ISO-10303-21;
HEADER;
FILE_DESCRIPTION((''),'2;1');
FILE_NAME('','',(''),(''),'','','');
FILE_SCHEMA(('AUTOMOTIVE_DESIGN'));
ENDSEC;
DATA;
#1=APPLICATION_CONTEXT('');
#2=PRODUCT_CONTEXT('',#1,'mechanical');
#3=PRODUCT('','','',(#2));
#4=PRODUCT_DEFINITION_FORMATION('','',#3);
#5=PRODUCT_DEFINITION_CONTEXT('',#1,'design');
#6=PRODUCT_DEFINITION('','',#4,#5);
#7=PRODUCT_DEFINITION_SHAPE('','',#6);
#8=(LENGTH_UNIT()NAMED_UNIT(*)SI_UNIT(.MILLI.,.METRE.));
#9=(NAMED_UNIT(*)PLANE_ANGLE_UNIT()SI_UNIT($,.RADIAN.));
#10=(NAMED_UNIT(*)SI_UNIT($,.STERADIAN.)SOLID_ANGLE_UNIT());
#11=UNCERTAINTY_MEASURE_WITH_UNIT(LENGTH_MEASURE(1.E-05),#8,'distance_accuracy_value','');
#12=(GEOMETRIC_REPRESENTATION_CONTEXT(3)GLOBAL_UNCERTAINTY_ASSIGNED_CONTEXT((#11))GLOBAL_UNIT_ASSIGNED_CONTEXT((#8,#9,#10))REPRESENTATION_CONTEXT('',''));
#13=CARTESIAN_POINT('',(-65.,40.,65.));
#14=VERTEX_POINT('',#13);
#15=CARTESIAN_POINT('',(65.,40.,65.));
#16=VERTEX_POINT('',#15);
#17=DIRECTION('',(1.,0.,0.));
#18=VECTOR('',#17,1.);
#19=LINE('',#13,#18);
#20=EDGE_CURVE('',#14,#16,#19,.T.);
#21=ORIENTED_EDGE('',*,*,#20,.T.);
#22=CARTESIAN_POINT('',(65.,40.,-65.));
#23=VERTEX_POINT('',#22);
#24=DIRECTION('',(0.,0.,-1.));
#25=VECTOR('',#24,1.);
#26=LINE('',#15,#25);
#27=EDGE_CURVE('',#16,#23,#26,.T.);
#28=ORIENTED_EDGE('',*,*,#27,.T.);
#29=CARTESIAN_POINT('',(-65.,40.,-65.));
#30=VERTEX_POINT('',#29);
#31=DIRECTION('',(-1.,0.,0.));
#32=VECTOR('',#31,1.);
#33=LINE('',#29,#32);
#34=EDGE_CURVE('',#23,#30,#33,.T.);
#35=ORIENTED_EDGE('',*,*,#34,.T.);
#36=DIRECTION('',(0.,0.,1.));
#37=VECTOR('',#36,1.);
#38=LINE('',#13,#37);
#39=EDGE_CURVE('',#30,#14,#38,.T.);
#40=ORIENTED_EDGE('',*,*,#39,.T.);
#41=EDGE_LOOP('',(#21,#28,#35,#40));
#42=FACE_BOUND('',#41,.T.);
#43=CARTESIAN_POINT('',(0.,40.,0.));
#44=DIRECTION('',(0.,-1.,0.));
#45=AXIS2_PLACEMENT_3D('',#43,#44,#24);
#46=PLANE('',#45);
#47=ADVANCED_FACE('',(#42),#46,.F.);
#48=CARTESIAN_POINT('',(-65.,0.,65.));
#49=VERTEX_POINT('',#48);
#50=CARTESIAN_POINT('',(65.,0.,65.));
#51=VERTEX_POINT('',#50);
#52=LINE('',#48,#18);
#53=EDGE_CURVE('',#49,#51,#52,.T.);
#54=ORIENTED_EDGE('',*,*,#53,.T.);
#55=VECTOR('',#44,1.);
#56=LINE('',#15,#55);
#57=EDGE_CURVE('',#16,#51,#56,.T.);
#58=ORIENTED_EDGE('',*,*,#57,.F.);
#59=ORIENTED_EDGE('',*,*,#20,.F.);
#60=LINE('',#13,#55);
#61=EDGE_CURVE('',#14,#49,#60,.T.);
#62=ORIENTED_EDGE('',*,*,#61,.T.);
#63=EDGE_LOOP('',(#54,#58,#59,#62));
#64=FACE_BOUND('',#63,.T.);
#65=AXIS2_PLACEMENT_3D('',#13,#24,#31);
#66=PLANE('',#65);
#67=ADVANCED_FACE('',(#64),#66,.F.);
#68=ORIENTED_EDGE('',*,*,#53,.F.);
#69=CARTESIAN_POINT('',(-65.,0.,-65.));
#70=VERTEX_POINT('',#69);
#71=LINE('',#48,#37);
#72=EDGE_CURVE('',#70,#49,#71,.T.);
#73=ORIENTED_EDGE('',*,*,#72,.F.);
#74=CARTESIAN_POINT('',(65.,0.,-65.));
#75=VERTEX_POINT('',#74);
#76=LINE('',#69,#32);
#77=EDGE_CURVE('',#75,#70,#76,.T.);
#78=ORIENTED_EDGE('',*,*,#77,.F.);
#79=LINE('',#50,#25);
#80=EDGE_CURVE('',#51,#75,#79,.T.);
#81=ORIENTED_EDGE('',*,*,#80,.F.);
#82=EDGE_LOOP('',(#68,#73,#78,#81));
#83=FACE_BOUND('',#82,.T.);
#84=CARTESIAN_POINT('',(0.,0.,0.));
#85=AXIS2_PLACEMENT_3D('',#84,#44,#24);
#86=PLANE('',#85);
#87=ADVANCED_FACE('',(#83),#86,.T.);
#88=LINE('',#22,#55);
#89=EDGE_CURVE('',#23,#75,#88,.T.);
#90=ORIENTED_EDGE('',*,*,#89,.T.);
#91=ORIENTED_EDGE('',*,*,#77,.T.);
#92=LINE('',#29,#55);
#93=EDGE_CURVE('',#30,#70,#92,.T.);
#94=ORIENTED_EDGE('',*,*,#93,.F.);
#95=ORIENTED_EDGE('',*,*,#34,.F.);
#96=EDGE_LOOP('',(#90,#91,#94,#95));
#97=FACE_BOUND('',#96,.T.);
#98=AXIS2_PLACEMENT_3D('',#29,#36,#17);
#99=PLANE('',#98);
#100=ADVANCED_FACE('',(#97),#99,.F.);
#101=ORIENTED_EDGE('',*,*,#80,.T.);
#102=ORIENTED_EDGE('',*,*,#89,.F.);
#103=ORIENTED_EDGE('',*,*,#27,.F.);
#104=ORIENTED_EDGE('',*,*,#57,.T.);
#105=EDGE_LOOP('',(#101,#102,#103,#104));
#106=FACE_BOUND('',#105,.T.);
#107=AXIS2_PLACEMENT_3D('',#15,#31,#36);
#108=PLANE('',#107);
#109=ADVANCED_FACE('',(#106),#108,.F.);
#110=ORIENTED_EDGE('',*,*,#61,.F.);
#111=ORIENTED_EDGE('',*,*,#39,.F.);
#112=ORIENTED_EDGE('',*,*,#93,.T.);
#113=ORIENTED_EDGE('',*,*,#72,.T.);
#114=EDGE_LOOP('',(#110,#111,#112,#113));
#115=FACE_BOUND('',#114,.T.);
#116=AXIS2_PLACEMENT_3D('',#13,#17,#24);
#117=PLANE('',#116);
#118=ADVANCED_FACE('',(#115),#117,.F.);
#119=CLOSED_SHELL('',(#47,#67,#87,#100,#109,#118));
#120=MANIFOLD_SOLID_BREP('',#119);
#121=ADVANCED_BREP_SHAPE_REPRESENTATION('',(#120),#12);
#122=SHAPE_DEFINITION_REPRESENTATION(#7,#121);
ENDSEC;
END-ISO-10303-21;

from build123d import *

# Parameters (mm, degrees)
SKETCH_1_W      = 130
SKETCH_1_H      = 130
EXTRUDE_1_DEPTH = 40


with BuildPart() as part:
    # 草图1 → 凸台-拉伸1 (new body)
    with BuildSketch(Plane(origin=(0, 0, 0), x_dir=(1, 0, 0), z_dir=(0, 1, 0))):
        Rectangle(SKETCH_1_W, SKETCH_1_H)
    extrude(amount=EXTRUDE_1_DEPTH)


solid = part.part
